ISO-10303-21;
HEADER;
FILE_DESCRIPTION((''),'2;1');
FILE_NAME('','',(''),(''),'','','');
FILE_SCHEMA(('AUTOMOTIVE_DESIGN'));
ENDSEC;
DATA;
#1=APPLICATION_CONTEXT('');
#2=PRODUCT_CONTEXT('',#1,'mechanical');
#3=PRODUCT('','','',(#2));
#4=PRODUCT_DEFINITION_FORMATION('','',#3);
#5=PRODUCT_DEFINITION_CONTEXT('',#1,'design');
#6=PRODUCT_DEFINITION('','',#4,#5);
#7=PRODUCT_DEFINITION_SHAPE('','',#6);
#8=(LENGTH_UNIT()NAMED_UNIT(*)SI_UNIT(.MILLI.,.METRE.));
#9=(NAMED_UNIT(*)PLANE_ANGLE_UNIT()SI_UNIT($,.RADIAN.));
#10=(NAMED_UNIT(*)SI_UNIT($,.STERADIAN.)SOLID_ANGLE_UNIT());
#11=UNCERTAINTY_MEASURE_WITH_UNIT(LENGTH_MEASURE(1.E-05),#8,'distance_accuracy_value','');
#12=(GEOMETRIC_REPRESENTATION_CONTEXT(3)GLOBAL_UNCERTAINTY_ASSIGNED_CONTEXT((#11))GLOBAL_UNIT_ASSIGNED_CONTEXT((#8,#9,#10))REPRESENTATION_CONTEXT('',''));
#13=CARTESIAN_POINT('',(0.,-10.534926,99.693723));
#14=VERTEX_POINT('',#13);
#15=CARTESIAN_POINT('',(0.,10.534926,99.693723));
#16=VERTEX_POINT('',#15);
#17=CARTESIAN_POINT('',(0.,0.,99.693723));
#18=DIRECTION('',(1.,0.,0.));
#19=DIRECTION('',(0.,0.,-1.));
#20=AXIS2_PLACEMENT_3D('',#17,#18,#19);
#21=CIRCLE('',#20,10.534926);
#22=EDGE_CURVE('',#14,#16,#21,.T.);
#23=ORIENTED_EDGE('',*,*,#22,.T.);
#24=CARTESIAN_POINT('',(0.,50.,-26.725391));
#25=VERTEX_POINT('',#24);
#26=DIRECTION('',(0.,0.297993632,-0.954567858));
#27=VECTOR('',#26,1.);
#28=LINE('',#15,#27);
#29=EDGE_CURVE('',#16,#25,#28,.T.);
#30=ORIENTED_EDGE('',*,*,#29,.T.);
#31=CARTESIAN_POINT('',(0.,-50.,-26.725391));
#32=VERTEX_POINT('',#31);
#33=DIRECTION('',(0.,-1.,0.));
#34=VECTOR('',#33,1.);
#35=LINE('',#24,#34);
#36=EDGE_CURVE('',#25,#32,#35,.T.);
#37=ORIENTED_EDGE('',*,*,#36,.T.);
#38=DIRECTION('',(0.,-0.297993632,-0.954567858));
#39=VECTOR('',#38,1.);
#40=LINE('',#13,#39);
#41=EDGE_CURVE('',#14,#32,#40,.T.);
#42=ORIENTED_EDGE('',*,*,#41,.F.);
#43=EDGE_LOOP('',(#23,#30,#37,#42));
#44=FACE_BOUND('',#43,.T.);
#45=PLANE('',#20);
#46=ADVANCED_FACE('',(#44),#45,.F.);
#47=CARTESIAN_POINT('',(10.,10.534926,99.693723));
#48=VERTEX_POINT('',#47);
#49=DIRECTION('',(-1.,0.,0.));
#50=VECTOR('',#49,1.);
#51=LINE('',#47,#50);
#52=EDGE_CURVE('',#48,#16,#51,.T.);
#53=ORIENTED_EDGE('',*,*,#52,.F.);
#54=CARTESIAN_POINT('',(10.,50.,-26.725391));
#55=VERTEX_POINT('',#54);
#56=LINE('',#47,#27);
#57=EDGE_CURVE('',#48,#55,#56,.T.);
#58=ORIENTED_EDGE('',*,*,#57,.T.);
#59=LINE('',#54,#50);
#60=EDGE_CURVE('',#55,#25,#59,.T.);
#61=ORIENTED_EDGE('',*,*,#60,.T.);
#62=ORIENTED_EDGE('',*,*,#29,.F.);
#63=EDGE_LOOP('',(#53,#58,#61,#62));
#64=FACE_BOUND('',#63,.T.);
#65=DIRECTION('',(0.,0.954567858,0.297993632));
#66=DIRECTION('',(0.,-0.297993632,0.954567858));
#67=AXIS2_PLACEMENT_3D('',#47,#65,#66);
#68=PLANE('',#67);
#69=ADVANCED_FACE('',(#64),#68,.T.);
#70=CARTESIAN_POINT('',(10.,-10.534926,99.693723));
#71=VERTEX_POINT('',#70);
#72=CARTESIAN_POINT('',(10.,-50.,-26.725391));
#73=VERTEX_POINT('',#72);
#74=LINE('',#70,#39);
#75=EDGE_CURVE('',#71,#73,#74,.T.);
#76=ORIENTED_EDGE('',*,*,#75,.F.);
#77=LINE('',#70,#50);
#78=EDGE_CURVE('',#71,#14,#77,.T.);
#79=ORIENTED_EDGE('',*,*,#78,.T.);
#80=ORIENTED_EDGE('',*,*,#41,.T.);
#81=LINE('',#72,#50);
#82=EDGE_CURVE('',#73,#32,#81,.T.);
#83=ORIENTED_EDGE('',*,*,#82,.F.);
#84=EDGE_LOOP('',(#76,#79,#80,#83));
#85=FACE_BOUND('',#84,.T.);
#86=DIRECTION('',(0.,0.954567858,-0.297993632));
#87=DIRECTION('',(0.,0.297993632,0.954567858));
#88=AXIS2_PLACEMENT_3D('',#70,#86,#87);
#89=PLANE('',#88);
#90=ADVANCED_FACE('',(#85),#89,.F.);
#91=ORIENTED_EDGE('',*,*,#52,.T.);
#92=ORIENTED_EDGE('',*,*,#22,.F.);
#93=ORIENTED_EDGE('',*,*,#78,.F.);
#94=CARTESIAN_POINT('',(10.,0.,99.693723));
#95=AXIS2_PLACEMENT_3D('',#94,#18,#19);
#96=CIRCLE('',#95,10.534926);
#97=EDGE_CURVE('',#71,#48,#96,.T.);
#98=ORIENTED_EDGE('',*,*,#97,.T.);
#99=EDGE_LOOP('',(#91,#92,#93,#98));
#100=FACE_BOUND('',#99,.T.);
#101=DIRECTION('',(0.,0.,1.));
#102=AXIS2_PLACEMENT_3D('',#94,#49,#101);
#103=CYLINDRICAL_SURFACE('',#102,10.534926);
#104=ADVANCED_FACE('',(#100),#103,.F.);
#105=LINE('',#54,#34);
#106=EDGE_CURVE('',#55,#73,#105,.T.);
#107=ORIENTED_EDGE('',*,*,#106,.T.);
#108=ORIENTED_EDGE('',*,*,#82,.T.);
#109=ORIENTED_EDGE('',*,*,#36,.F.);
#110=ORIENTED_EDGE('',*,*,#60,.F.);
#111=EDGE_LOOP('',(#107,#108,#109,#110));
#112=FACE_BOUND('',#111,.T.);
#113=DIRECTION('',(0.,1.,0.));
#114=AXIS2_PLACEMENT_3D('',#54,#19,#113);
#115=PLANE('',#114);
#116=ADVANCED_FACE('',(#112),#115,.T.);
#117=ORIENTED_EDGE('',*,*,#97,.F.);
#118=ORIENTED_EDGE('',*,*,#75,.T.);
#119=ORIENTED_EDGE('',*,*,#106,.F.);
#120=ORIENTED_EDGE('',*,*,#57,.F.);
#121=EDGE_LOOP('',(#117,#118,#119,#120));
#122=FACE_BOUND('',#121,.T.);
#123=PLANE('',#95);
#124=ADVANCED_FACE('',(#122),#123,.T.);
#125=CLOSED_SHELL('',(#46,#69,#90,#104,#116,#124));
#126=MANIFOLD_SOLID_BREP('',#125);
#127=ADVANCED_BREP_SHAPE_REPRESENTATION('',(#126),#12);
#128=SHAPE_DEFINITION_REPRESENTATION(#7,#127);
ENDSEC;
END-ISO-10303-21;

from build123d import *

# Parameters (mm, degrees)
BOSS_EXTRUDE1_DEPTH = 10


with BuildPart() as part:
    # Sketch1 → Boss-Extrude1 (new body)
    with BuildSketch(Plane.YZ):
        with BuildLine():
            Line((50, -26.725391492), (-50, -26.725391492))
            Line((-50, -26.725391492), (-10.534926176, 99.693722622))
            ThreePointArc((-10.534926176, 99.693722622), (0, 89.158796446), (10.534926176, 99.693722622))
            Line((10.534926176, 99.693722622), (50, -26.725391492))
        make_face()
    extrude(amount=BOSS_EXTRUDE1_DEPTH)


solid = part.part
